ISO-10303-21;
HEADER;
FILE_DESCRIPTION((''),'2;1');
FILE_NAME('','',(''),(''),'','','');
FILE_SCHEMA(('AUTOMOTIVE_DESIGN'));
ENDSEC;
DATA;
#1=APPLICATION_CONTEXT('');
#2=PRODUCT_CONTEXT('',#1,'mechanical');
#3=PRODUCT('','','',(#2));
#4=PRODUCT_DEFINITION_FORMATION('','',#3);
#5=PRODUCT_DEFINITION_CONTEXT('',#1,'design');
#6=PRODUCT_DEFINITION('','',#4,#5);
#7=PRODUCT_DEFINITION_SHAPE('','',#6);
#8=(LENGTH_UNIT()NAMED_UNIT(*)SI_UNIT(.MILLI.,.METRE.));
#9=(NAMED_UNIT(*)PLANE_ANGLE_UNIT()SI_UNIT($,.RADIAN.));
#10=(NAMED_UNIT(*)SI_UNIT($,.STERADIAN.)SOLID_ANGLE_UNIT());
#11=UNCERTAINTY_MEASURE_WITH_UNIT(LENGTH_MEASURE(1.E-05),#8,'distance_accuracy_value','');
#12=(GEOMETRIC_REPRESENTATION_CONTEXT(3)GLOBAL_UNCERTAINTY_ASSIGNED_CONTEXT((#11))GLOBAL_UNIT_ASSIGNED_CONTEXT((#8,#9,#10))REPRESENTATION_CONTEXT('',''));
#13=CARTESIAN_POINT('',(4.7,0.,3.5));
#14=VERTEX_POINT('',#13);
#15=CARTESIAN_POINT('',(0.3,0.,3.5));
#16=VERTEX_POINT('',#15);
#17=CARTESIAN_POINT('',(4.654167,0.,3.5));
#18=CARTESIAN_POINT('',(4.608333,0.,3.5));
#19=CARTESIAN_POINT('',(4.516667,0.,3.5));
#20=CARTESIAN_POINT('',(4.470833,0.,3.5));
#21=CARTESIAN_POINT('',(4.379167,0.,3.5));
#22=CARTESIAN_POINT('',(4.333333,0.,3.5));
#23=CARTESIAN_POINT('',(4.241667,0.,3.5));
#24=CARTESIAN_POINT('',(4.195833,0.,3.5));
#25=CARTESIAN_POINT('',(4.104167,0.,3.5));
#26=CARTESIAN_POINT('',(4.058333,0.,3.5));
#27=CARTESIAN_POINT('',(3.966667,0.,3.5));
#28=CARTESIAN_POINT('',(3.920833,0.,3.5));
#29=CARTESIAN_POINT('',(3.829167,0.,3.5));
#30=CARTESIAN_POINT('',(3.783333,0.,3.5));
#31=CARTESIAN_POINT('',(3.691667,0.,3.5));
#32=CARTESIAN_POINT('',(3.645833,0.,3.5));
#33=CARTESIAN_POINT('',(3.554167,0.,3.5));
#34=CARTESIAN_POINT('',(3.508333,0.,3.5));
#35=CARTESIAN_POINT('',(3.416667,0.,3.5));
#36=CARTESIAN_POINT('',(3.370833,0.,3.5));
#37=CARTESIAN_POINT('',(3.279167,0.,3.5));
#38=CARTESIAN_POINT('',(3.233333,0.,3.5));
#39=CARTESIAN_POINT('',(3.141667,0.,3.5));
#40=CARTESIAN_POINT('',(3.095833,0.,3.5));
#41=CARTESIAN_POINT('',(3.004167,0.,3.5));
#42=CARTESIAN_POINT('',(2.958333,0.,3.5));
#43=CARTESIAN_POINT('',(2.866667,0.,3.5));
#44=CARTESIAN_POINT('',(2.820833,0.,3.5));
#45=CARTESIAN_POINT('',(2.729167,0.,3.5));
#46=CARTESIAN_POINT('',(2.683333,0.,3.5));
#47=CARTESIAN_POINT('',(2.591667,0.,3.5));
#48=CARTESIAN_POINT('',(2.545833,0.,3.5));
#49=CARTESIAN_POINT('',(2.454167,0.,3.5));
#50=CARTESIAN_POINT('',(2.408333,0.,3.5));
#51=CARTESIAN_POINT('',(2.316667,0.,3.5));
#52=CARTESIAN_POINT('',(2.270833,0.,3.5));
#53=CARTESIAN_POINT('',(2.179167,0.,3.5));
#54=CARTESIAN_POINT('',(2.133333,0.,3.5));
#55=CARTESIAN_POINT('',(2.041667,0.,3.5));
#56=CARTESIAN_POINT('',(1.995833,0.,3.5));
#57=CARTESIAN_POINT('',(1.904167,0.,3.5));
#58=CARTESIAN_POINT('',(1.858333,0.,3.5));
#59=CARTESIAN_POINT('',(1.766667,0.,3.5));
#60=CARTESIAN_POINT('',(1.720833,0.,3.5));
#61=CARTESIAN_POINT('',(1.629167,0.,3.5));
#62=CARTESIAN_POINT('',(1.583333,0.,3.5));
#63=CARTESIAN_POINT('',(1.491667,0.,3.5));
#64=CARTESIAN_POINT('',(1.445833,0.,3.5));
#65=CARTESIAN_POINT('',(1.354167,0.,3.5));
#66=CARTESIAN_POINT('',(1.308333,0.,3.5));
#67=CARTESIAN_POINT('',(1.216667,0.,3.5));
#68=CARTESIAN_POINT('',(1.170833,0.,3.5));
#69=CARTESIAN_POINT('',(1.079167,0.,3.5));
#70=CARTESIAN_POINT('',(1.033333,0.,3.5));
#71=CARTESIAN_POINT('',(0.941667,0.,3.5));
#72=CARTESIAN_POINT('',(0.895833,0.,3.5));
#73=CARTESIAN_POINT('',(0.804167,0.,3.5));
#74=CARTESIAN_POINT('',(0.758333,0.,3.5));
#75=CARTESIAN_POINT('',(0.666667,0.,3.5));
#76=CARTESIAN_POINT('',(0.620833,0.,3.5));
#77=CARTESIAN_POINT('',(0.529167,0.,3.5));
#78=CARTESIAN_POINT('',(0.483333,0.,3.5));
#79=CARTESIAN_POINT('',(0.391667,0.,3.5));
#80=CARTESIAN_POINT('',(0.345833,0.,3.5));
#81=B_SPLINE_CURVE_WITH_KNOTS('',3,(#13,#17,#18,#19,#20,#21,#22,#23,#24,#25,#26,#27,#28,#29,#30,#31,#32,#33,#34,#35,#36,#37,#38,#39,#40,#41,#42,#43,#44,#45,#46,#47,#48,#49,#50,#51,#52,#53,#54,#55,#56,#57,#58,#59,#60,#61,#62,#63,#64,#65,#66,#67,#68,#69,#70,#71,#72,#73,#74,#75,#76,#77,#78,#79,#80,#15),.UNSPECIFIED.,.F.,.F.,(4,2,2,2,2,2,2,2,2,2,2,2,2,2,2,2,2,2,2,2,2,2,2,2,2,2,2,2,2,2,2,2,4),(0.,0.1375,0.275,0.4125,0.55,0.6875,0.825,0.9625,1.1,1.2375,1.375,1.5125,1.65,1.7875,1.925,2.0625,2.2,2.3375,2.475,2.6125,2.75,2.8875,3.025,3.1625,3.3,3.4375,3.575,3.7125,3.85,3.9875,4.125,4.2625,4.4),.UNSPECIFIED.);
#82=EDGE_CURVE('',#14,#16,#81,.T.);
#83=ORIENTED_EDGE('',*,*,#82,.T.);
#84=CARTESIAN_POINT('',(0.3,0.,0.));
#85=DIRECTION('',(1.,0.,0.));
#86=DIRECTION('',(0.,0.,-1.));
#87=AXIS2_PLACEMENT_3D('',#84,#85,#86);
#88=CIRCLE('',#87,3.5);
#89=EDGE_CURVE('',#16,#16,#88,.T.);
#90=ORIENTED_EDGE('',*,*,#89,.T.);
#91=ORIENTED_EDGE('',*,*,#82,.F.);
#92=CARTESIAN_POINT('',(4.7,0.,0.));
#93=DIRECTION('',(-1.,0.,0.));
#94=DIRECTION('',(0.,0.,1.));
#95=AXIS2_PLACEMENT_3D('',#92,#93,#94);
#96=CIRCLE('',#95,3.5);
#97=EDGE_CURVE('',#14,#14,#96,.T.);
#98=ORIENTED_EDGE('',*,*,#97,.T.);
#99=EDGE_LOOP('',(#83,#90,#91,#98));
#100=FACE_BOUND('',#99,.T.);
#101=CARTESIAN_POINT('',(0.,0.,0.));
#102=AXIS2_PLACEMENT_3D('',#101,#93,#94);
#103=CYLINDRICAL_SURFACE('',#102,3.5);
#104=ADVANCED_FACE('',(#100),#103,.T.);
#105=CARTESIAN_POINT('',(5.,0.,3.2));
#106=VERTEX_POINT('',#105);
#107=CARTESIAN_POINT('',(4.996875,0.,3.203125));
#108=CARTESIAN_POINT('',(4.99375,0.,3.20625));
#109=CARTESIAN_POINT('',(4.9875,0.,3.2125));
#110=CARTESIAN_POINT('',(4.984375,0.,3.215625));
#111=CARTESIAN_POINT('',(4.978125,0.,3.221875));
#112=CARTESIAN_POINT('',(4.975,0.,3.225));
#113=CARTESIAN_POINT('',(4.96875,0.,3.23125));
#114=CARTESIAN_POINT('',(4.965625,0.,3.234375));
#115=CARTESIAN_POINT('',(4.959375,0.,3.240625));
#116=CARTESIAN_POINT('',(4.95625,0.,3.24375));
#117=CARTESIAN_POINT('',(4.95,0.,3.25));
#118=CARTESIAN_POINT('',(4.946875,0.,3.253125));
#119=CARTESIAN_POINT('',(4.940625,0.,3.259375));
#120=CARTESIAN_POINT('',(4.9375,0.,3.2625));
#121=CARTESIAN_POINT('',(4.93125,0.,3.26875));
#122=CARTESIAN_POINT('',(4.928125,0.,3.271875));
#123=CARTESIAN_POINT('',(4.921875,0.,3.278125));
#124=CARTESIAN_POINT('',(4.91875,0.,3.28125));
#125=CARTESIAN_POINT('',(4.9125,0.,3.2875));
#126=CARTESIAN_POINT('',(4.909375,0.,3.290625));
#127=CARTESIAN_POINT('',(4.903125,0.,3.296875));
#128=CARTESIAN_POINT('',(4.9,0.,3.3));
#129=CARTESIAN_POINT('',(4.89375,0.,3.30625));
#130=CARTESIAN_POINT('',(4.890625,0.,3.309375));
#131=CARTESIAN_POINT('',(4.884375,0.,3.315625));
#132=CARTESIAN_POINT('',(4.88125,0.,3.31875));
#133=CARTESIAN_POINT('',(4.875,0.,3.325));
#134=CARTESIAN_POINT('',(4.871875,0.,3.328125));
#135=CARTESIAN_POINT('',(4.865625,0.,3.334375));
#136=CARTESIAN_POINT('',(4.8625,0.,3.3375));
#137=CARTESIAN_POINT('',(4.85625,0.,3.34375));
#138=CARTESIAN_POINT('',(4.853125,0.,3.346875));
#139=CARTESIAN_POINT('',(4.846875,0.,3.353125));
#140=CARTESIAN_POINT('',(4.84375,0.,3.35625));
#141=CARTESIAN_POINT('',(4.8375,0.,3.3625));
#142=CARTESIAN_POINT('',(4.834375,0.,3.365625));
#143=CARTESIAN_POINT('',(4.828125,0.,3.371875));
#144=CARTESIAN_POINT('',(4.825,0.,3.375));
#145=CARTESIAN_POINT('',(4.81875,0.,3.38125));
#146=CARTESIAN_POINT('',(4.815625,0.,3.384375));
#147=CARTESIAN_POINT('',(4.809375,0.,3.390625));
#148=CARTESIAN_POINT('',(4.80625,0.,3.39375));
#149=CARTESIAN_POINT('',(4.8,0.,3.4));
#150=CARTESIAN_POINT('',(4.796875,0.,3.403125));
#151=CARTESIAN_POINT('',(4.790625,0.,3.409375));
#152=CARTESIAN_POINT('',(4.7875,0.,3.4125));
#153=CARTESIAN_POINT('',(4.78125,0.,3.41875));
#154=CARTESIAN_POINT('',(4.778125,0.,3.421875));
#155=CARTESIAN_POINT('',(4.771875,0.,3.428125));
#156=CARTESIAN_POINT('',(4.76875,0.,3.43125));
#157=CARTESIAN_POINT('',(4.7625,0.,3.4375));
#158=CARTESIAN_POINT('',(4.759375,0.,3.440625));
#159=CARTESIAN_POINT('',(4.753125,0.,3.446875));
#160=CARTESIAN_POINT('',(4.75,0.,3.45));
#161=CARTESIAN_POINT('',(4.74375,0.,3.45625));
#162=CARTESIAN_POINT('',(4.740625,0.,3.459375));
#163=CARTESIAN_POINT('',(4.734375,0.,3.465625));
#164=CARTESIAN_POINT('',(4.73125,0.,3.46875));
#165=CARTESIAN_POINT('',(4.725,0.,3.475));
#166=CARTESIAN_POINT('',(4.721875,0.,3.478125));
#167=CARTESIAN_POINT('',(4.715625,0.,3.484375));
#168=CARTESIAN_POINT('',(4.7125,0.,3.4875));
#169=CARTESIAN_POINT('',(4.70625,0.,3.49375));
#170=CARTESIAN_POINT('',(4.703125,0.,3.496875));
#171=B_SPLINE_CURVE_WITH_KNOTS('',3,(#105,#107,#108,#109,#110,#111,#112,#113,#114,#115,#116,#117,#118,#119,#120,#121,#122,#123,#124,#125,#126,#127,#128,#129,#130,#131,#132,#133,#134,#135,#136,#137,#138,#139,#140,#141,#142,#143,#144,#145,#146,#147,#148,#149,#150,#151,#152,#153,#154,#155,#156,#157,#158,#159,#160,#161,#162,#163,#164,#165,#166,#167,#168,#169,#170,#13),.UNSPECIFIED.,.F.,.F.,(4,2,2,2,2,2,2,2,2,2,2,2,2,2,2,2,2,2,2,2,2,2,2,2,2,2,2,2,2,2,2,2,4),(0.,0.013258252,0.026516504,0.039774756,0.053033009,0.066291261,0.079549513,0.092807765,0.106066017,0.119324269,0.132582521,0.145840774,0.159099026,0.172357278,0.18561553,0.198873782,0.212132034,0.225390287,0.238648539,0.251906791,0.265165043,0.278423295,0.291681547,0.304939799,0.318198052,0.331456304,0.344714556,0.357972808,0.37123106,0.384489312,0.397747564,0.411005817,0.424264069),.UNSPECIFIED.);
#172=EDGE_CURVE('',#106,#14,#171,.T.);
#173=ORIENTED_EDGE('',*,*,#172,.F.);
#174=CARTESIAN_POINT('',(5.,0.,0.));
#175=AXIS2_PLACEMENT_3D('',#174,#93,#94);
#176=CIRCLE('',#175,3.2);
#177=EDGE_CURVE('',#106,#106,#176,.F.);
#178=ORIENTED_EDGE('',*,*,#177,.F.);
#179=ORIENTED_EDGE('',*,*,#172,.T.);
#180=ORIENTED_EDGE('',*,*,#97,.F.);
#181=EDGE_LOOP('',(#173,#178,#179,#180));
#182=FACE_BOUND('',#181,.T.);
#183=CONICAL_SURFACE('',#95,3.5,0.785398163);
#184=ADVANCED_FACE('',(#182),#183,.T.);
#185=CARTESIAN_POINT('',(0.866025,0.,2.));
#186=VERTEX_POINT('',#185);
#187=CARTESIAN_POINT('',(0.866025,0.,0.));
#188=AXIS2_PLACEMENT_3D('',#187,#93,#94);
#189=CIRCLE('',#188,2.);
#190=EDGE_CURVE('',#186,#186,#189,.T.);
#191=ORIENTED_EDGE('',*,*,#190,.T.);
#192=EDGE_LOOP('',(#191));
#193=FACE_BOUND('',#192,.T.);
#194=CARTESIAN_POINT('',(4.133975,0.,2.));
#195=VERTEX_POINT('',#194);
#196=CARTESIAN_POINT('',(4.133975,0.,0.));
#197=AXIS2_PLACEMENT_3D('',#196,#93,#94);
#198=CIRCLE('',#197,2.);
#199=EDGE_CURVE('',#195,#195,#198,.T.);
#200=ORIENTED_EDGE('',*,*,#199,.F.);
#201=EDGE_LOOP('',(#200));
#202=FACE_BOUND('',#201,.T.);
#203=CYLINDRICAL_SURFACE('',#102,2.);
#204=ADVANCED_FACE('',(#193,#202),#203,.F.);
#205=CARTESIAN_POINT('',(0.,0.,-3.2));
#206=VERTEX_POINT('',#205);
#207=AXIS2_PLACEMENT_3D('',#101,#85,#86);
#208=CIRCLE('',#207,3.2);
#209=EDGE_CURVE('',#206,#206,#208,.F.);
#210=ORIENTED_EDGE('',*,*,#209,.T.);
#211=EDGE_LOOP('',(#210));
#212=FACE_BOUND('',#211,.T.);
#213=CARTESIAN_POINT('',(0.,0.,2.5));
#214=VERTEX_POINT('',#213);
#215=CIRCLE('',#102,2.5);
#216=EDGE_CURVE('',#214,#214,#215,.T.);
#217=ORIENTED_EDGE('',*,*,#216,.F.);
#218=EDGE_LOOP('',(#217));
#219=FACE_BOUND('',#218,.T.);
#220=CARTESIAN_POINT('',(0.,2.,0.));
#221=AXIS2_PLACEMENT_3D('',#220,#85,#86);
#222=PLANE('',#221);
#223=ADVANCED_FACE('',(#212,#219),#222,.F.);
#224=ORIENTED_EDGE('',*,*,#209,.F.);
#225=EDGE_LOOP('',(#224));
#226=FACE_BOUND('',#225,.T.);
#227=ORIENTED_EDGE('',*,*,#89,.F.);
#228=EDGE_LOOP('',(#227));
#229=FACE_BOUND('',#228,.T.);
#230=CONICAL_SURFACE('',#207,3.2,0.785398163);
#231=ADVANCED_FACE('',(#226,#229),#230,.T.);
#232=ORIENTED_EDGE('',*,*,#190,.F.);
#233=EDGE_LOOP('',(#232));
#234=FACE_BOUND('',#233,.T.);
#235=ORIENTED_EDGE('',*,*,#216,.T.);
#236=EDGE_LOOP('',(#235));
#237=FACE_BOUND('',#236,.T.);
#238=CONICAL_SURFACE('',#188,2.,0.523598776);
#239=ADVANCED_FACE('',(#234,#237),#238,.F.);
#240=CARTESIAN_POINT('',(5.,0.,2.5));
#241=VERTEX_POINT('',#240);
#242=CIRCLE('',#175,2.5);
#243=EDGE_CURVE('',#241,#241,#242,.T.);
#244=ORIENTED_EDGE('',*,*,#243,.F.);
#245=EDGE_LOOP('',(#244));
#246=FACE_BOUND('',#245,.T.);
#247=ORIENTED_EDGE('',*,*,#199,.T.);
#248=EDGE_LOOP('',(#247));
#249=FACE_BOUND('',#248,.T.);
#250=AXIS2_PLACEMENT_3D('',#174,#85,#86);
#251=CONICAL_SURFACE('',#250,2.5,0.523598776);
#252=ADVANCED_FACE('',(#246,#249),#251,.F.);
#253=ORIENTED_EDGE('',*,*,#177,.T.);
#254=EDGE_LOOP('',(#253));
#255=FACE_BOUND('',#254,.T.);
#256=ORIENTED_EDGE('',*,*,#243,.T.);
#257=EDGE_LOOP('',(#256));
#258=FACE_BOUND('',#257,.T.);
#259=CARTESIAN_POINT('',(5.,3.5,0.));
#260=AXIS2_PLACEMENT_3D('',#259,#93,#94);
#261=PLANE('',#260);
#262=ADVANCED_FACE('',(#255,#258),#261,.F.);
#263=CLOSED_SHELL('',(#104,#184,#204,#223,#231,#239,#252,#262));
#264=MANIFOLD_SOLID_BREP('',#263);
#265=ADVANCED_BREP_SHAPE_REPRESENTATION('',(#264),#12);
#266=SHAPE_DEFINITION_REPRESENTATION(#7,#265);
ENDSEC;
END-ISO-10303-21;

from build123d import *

# Parameters (mm, degrees)
SKETCH1_W     = 5
SKETCH1_H     = 1.5
CHAMFER1_SIZE = 0.3


with BuildPart() as part:
    # Sketch1 → Revolve1 (revolve)
    with BuildSketch(Plane.XY, mode=Mode.PRIVATE) as revolve1_sk:
        with Locations((2.5, 2.75)):
            Rectangle(SKETCH1_W, SKETCH1_H)
    revolve(revolve1_sk.sketch.rotate(Axis((0, 0, 0), (1, 0, 0)), 90), axis=Axis((0, 0, 0), (1, 0, 0)))

    # Chamfer1
    chamfer1_edges = [part.edges().sort_by_distance(p)[0] for p in [
        (5, 0, -3.5),
        (0, 0, -3.5),
    ]]
    chamfer(chamfer1_edges, length=CHAMFER1_SIZE)

    # Sketch2 → Cut-Revolve1 (revolve, cut)
    with BuildSketch(Plane.XY, mode=Mode.PRIVATE) as cut_revolve1_sk:
        Polygon((0, 2.5), (0, 2), (0.866025404, 2), align=None)
        Polygon((4.133974596, 2), (5, 2.5), (5, 2), align=None)
    revolve(cut_revolve1_sk.sketch.rotate(Axis((0, 0, 0), (1, 0, 0)), 90), axis=Axis((0, 0, 0), (1, 0, 0)), mode=Mode.SUBTRACT)


solid = part.part
